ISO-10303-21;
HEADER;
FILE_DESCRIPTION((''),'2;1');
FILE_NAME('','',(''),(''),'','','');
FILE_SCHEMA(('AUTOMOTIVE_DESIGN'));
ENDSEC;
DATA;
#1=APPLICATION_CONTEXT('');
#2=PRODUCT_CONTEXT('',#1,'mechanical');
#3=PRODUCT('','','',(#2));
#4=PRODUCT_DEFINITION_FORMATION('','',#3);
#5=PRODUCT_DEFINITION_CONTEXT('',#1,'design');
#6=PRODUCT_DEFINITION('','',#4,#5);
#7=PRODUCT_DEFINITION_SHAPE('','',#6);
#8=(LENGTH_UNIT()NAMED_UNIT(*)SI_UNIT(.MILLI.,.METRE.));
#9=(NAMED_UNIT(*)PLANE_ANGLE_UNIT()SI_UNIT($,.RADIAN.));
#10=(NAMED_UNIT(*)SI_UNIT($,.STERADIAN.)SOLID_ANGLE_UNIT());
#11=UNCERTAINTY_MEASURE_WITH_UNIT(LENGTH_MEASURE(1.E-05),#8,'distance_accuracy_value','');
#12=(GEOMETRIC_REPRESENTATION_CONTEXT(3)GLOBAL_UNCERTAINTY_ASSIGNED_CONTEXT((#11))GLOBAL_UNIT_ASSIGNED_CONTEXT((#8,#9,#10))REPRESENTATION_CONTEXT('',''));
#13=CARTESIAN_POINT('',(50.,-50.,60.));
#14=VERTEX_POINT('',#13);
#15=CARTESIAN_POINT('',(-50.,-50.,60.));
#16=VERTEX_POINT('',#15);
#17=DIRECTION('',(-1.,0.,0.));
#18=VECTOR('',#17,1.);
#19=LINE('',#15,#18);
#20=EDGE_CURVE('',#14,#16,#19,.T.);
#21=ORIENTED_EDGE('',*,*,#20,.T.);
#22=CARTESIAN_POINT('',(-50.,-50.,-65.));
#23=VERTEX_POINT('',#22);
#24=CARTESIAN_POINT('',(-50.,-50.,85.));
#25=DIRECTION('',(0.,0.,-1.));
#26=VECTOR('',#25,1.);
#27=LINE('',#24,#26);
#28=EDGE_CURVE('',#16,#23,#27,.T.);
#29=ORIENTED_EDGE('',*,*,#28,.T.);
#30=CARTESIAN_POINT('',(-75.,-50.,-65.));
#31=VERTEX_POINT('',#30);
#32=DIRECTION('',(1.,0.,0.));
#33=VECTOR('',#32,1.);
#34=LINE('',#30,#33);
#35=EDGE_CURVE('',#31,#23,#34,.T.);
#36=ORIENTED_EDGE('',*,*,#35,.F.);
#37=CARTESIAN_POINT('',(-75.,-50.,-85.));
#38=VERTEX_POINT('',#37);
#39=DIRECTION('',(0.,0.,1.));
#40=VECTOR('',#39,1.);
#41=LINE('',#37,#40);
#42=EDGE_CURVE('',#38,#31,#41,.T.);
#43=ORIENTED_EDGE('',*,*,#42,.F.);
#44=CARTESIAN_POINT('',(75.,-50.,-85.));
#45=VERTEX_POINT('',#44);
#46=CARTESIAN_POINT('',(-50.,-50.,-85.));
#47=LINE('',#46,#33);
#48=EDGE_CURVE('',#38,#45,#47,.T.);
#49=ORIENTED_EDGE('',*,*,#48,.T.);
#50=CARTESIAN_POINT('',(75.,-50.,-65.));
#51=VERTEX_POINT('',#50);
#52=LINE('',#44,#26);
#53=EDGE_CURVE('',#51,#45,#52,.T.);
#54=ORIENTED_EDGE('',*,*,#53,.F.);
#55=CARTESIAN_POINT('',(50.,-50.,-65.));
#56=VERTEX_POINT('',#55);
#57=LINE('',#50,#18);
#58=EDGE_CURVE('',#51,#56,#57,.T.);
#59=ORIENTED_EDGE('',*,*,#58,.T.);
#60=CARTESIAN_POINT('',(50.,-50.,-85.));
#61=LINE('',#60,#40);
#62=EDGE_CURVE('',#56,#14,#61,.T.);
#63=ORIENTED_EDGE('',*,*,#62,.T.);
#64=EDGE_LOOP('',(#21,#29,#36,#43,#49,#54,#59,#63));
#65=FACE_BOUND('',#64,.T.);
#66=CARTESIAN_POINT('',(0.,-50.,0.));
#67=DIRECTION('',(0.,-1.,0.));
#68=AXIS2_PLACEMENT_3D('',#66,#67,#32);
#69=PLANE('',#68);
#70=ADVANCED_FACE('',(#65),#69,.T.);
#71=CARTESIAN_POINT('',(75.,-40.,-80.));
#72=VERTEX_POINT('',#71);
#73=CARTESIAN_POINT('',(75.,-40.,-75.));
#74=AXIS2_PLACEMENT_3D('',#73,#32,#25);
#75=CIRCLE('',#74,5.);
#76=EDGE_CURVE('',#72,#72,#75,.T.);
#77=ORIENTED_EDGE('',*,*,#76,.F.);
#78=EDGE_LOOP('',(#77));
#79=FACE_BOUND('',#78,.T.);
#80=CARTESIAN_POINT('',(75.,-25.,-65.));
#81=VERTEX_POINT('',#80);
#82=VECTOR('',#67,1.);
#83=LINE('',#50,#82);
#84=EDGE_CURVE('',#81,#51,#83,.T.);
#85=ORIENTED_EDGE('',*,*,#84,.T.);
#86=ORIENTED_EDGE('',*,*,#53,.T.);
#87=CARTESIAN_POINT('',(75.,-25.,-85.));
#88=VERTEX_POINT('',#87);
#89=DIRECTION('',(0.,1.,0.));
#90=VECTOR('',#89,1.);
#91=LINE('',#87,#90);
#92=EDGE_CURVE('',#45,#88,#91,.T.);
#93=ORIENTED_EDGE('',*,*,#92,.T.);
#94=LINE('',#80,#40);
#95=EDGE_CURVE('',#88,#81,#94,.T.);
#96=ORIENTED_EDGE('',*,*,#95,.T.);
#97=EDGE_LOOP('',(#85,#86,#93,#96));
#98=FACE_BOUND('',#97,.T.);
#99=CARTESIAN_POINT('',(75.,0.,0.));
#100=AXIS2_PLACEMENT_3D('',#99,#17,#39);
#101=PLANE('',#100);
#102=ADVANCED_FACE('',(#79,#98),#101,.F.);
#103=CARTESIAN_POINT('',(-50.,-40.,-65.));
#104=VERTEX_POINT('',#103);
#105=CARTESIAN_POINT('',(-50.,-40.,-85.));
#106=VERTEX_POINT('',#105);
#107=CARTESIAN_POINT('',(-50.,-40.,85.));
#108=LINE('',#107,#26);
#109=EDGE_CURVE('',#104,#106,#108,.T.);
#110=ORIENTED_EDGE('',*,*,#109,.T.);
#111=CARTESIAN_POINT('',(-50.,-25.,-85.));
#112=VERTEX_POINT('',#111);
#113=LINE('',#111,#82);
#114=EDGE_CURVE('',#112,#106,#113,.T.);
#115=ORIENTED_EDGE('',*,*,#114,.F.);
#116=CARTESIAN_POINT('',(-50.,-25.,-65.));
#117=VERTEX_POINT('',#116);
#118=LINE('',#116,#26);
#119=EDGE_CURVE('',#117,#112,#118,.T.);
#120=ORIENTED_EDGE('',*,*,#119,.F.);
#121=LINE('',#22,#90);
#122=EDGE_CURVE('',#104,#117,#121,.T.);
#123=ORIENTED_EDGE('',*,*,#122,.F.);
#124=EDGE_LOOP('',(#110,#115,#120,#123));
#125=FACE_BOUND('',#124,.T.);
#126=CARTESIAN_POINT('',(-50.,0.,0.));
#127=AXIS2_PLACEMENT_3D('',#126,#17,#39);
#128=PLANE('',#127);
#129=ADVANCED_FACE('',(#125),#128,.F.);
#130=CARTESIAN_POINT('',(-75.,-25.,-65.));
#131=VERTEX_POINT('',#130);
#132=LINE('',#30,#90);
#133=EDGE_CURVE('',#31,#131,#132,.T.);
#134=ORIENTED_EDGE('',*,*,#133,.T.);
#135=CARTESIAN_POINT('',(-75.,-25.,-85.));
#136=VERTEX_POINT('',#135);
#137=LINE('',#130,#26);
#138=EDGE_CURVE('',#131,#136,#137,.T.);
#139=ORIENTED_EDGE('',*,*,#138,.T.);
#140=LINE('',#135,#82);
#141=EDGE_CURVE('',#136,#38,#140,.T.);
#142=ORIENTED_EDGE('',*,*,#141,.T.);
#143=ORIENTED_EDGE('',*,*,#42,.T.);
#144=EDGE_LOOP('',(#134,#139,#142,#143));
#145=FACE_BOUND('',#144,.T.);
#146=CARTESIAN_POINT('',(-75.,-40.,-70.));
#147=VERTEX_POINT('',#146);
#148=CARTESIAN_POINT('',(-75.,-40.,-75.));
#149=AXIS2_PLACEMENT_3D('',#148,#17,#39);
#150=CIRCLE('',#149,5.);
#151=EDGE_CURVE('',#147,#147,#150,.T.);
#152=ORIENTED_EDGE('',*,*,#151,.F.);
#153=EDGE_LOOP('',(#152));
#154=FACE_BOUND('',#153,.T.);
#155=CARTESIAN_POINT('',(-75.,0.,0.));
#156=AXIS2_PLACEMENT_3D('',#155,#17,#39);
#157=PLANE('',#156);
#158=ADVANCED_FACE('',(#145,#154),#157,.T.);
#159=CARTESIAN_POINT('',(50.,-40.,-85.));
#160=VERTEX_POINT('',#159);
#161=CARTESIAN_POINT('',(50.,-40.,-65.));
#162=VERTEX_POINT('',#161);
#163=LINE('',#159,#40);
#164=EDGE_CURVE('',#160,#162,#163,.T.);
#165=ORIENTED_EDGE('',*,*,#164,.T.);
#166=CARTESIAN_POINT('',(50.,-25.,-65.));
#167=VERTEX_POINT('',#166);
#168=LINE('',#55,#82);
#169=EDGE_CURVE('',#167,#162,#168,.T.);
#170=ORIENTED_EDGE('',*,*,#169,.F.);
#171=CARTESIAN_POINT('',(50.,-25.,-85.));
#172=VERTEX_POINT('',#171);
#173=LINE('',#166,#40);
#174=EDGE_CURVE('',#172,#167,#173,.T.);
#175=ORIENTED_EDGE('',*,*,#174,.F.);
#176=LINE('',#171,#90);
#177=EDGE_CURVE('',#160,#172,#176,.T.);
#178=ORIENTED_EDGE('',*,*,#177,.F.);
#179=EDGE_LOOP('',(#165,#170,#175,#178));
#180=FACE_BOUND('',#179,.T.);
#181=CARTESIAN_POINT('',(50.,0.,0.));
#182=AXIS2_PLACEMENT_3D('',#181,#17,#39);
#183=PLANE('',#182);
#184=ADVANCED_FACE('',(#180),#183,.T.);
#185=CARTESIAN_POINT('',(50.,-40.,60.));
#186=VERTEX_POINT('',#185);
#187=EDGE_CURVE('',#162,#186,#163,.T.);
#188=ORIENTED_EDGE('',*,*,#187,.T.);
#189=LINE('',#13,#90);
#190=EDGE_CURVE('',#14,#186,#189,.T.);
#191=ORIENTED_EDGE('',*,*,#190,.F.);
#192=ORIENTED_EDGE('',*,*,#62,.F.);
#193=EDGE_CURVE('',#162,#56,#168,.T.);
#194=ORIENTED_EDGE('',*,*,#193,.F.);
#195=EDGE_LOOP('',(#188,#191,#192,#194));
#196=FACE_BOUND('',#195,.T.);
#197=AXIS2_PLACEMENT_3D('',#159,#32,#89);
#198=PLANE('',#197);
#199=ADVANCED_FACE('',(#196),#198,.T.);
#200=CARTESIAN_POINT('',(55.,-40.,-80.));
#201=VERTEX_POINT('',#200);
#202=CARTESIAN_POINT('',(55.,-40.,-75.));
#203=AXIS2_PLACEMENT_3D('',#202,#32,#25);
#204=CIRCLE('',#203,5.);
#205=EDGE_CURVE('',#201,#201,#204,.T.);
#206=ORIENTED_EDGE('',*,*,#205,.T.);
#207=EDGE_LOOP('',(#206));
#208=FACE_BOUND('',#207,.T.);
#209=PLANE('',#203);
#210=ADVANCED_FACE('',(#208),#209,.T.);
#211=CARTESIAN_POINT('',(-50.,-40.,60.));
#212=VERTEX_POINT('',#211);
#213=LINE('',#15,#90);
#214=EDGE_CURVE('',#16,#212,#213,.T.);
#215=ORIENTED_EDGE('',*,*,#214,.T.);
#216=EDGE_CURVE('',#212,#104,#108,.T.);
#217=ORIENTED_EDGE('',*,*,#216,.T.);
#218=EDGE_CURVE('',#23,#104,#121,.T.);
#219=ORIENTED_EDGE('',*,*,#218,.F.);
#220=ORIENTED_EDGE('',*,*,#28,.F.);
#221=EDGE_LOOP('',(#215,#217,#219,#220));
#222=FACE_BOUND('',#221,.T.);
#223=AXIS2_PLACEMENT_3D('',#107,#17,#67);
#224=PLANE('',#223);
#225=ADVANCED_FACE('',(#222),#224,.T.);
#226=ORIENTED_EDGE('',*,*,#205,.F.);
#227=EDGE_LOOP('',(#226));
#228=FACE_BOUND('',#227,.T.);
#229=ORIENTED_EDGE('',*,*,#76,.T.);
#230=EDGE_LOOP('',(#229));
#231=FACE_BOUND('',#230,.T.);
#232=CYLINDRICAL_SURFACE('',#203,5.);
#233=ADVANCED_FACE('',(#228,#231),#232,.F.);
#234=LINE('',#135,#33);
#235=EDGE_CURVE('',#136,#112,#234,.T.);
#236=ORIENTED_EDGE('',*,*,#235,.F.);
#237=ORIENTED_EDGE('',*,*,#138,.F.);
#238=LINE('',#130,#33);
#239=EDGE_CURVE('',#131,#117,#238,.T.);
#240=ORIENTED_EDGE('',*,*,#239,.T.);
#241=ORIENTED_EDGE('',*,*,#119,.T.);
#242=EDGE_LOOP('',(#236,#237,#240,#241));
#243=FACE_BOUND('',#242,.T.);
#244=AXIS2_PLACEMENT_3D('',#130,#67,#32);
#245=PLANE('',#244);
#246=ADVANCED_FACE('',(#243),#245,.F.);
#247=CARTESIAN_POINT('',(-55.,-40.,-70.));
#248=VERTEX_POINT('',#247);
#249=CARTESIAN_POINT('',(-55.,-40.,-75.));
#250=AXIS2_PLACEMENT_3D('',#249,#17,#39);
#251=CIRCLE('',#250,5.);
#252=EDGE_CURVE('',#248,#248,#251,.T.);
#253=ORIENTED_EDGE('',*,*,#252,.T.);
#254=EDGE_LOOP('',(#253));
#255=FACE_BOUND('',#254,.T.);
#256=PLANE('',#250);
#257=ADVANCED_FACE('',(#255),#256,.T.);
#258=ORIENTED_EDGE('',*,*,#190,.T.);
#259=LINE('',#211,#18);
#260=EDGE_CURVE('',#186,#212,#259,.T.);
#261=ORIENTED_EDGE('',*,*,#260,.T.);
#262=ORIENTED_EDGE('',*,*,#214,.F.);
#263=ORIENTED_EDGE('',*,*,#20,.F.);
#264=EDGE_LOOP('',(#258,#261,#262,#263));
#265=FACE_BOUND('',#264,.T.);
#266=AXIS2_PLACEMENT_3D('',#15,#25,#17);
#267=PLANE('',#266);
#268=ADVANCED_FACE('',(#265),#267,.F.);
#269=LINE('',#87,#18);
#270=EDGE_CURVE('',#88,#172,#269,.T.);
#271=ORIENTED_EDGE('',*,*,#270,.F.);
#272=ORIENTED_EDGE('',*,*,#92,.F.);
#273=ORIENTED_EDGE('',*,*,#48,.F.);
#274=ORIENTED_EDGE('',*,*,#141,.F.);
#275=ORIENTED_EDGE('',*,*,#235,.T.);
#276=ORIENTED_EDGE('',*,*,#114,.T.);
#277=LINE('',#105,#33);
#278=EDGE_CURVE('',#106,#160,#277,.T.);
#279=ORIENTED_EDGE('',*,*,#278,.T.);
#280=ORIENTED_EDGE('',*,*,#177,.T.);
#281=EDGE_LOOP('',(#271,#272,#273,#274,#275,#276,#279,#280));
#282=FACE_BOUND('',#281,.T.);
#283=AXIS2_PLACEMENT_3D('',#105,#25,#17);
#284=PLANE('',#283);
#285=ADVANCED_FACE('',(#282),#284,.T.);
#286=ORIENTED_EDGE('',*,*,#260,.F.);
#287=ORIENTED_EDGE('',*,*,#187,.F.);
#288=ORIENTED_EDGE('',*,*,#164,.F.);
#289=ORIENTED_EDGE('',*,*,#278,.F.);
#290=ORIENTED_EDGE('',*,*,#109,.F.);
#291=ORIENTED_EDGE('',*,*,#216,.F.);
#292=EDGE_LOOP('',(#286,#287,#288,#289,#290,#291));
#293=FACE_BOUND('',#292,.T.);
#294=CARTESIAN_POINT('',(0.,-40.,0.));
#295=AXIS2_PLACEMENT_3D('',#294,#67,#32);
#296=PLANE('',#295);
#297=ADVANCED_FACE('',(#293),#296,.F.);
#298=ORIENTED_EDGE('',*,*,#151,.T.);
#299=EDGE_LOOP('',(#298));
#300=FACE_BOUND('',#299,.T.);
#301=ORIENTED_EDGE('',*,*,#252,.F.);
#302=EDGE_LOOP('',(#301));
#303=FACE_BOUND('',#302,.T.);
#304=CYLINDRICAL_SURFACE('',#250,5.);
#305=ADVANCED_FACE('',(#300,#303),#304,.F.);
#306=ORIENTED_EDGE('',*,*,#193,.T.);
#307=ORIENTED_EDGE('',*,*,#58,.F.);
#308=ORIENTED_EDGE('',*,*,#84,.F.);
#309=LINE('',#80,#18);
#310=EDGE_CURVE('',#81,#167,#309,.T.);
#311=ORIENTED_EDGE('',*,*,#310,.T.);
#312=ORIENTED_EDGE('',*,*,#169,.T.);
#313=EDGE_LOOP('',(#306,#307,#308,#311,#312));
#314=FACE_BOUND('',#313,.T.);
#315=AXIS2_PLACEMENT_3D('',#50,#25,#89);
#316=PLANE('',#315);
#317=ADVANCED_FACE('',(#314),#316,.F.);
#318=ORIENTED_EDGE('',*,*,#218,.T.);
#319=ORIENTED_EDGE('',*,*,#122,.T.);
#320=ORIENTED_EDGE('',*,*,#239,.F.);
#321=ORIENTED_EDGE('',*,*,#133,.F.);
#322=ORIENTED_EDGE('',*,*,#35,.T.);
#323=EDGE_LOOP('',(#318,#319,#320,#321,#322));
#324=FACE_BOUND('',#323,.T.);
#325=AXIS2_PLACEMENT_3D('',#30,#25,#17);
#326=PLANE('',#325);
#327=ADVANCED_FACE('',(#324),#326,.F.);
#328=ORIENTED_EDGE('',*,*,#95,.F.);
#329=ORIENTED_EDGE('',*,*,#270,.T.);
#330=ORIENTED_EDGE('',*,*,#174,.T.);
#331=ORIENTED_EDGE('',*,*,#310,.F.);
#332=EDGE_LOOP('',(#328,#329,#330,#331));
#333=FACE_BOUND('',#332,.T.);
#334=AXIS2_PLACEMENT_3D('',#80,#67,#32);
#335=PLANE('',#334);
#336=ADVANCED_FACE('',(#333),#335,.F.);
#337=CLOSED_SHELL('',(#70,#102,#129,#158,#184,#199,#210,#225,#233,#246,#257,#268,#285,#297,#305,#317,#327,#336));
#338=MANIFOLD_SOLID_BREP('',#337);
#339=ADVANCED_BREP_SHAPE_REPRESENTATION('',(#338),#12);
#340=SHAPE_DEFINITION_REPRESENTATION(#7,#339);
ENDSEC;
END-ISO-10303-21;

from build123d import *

# Parameters (mm, degrees)
SKETCH5_W           = 100
SKETCH5_H           = 170
BOSS_EXTRUDE2_DEPTH = 10
SKETCH7_W           = 20
SKETCH7_H           = 25
BOSS_EXTRUDE3_DEPTH = 25
SKETCH8_W           = 20
SKETCH8_H           = 25
BOSS_EXTRUDE4_DEPTH = 25
SKETCH11_R          = 5
CUT_EXTRUDE1_DEPTH  = 20
CUT_EXTRUDE2_START  = -20
SKETCH12_R          = 5
CUT_EXTRUDE2_DEPTH  = 20
SKETCH17_W          = 100
SKETCH17_H          = 10
BOSS_EXTRUDE6_DEPTH = 100
SKETCH18_W          = 100
SKETCH18_H          = 125
CUT_EXTRUDE3_DEPTH  = 10


with BuildPart() as part:
    # Sketch5 → Boss-Extrude2 (new body)
    with BuildSketch(Plane(origin=(0, -50, 0), x_dir=(-1, 0, 0), z_dir=(0, -1, 0))):
        Rectangle(SKETCH5_W, SKETCH5_H)
    extrude(amount=-BOSS_EXTRUDE2_DEPTH)

    # Sketch7 → Boss-Extrude3 (add)
    with BuildSketch(Plane.ZY.offset(50)):
        with Locations((-75, -37.5)):
            Rectangle(SKETCH7_W, SKETCH7_H)
    extrude(amount=BOSS_EXTRUDE3_DEPTH)

    # Sketch8 → Boss-Extrude4 (add)
    with BuildSketch(Plane(origin=(50, 0, 0), x_dir=(0, 0, -1), z_dir=(1, 0, 0))):
        with Locations((75, -37.5)):
            Rectangle(SKETCH8_W, SKETCH8_H)
    extrude(amount=BOSS_EXTRUDE4_DEPTH)

    # Sketch11 → Cut-Extrude1 (cut)
    with BuildSketch(Plane.ZY.offset(75)):
        with Locations((-75, -40)):
            Circle(SKETCH11_R)
    extrude(amount=-CUT_EXTRUDE1_DEPTH, mode=Mode.SUBTRACT)

    # Sketch12 → Cut-Extrude2 (cut)
    with BuildSketch(Plane(origin=(75, 0, 0), x_dir=(0, 0, -1), z_dir=(1, 0, 0)).offset(CUT_EXTRUDE2_START)):
        with Locations(Location((75, -40, 0), (0, 0, 180))):
            Circle(SKETCH12_R)
    extrude(amount=CUT_EXTRUDE2_DEPTH, mode=Mode.SUBTRACT)

    # Sketch17 → Boss-Extrude6 (add)
    with BuildSketch(Plane.XY.offset(85)):
        with Locations((0, -45)):
            Rectangle(SKETCH17_W, SKETCH17_H)
    extrude(amount=BOSS_EXTRUDE6_DEPTH)

    # Sketch18 → Cut-Extrude3 (cut)
    with BuildSketch(Plane(origin=(0, -40, 0), x_dir=(1, 0, 0), z_dir=(0, 1, 0))):
        with Locations((0, -122.5)):
            Rectangle(SKETCH18_W, SKETCH18_H)
    extrude(amount=-CUT_EXTRUDE3_DEPTH, mode=Mode.SUBTRACT)


solid = part.part
